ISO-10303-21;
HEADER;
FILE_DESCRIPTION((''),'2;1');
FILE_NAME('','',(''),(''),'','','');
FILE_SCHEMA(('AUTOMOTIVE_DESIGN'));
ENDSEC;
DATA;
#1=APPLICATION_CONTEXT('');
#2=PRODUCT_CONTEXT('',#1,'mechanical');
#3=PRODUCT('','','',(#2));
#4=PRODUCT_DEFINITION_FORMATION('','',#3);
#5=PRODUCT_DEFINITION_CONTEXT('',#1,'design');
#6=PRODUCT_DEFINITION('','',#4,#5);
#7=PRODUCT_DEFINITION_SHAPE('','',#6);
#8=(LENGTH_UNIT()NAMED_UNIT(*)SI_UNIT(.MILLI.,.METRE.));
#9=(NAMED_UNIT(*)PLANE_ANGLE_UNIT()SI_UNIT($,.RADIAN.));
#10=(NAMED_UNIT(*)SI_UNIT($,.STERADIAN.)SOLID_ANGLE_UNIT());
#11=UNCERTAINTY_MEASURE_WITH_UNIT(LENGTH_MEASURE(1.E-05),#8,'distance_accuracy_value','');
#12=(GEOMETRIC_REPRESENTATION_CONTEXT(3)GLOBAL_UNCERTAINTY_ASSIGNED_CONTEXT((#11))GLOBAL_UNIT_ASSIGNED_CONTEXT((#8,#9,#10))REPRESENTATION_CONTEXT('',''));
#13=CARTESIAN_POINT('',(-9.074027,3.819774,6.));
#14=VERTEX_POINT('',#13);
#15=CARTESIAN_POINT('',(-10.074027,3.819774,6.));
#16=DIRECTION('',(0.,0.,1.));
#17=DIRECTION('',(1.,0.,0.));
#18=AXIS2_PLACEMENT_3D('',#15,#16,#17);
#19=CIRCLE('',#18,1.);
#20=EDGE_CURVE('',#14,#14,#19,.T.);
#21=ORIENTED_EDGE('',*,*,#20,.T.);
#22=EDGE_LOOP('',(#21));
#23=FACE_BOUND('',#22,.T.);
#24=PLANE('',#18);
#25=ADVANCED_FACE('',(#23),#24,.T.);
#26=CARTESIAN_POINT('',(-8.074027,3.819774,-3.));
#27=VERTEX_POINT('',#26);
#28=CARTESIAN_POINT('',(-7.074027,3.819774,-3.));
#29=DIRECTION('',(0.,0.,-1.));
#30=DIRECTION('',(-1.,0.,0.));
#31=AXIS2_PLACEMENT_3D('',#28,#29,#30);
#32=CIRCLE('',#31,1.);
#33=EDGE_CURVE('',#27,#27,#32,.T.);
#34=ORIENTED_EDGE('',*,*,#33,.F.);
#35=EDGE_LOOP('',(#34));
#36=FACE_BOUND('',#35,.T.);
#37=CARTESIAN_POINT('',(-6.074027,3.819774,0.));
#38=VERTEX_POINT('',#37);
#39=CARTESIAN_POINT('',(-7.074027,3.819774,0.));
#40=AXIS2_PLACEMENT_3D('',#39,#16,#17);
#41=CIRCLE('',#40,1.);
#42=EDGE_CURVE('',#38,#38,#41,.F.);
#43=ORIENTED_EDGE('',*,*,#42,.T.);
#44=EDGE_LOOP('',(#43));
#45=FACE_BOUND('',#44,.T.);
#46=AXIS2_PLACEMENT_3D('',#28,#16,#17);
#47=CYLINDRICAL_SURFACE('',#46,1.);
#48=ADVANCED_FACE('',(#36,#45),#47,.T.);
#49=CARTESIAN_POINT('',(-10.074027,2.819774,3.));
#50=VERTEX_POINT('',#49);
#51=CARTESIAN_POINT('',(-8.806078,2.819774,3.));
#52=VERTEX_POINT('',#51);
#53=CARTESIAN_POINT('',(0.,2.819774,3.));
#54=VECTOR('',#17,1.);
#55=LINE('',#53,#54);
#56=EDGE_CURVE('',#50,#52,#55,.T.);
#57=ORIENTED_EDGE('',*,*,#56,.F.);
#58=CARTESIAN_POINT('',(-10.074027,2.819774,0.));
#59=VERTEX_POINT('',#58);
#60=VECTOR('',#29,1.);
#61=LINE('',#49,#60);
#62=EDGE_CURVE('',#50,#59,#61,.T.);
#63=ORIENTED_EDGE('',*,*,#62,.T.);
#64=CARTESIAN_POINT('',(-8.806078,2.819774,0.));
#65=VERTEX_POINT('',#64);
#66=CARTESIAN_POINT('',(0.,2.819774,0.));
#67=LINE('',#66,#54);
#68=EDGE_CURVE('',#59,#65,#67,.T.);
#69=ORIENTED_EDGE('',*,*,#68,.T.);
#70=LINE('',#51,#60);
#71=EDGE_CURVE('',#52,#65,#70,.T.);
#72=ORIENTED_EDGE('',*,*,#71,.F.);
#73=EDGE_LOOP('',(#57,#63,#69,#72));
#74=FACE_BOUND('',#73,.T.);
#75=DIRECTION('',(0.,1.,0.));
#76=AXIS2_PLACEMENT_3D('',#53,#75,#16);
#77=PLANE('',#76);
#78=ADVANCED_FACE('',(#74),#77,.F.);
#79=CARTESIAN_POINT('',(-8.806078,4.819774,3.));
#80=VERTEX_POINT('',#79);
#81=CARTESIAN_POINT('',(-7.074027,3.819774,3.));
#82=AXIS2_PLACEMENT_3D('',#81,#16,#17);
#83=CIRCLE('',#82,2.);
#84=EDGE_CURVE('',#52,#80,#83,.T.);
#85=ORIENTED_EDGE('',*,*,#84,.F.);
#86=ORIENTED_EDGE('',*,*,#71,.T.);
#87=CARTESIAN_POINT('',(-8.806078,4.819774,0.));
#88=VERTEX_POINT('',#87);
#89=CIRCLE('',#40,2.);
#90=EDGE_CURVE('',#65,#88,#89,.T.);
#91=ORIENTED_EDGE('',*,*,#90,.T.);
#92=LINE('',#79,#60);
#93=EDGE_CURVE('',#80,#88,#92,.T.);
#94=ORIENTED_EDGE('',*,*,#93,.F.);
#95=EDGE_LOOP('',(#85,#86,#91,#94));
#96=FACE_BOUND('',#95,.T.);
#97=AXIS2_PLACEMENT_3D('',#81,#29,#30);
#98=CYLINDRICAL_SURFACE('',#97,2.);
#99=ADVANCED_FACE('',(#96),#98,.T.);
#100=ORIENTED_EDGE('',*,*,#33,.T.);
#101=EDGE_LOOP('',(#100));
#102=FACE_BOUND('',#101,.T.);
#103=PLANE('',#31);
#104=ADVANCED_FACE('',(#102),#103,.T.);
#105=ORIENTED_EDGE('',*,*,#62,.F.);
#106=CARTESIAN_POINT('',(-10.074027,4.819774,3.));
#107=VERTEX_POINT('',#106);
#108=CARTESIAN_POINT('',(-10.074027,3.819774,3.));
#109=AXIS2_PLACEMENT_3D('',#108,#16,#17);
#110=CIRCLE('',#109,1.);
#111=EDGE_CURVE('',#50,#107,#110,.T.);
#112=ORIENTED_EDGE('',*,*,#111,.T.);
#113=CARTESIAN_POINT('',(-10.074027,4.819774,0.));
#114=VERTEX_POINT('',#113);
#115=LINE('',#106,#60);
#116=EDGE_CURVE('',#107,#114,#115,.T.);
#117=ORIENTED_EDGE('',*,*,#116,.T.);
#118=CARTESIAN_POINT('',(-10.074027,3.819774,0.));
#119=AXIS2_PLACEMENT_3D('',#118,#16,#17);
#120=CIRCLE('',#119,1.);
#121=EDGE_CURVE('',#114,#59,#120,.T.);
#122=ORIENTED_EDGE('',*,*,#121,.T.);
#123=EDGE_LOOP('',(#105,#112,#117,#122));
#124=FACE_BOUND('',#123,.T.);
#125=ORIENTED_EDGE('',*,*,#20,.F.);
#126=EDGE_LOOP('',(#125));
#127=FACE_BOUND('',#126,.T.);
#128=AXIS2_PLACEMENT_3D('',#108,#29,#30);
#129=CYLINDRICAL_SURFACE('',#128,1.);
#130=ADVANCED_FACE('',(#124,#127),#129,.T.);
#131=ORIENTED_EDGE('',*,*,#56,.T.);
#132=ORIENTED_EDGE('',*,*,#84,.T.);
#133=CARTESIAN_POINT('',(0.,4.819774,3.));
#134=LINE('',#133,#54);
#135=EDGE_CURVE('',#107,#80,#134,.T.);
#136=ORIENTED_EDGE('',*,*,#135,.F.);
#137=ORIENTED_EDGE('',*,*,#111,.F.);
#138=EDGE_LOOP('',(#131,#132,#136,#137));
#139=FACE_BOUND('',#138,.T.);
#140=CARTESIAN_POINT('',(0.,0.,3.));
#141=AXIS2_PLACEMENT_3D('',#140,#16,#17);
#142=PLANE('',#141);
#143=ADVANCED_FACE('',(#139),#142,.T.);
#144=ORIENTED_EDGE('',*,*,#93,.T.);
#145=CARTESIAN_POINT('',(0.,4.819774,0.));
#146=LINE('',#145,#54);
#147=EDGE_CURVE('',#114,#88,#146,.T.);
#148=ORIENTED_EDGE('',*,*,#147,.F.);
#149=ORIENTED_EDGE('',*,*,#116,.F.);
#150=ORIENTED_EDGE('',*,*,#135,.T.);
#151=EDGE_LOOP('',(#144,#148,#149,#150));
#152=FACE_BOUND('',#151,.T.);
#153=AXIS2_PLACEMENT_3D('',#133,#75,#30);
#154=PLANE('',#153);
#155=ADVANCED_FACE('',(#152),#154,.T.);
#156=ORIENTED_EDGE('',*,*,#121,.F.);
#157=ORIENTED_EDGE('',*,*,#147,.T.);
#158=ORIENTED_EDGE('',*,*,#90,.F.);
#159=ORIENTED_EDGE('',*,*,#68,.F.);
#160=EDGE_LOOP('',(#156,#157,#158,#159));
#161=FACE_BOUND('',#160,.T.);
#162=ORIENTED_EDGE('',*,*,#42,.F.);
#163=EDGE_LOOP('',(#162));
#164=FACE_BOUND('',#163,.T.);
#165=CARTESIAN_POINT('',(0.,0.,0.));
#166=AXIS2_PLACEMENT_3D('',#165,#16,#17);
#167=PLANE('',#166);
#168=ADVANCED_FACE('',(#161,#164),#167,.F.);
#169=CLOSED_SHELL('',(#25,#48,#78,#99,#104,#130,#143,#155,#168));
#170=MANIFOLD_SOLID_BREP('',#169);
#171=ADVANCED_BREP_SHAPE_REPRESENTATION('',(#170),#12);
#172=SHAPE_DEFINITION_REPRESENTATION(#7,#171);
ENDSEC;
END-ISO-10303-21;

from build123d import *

# Parameters (mm, degrees)
BOSS_EXTRUDE1_DEPTH = 3
SKETCH2_R           = 1
BOSS_EXTRUDE2_DEPTH = 3
SKETCH3_R           = 1
BOSS_EXTRUDE3_DEPTH = 3


with BuildPart() as part:
    # Sketch1 → Boss-Extrude1 (new body)
    with BuildSketch(Plane.XY):
        with BuildLine():
            Line((-10.074027202, 4.819774295), (-8.80607801, 4.819774295))
            ThreePointArc((-8.80607801, 4.819774295), (-5.074027202, 3.819774295), (-8.80607801, 2.819774295))
            Line((-8.80607801, 2.819774295), (-10.074027202, 2.819774295))
            ThreePointArc((-10.074027202, 2.819774295), (-11.074027202, 3.819774295), (-10.074027202, 4.819774295))
        make_face()
    extrude(amount=BOSS_EXTRUDE1_DEPTH)

    # Sketch2 → Boss-Extrude2 (add)
    with BuildSketch(Plane.XY.offset(3)):
        with Locations((-10.074027202, 3.819774295)):
            Circle(SKETCH2_R)
    extrude(amount=BOSS_EXTRUDE2_DEPTH)

    # Sketch3 → Boss-Extrude3 (add)
    with BuildSketch(Plane(origin=(0, 0, 0), x_dir=(-1, 0, 0), z_dir=(0, 0, -1))):
        with Locations((7.074027202, 3.819774295)):
            Circle(SKETCH3_R)
    extrude(amount=BOSS_EXTRUDE3_DEPTH)


solid = part.part
